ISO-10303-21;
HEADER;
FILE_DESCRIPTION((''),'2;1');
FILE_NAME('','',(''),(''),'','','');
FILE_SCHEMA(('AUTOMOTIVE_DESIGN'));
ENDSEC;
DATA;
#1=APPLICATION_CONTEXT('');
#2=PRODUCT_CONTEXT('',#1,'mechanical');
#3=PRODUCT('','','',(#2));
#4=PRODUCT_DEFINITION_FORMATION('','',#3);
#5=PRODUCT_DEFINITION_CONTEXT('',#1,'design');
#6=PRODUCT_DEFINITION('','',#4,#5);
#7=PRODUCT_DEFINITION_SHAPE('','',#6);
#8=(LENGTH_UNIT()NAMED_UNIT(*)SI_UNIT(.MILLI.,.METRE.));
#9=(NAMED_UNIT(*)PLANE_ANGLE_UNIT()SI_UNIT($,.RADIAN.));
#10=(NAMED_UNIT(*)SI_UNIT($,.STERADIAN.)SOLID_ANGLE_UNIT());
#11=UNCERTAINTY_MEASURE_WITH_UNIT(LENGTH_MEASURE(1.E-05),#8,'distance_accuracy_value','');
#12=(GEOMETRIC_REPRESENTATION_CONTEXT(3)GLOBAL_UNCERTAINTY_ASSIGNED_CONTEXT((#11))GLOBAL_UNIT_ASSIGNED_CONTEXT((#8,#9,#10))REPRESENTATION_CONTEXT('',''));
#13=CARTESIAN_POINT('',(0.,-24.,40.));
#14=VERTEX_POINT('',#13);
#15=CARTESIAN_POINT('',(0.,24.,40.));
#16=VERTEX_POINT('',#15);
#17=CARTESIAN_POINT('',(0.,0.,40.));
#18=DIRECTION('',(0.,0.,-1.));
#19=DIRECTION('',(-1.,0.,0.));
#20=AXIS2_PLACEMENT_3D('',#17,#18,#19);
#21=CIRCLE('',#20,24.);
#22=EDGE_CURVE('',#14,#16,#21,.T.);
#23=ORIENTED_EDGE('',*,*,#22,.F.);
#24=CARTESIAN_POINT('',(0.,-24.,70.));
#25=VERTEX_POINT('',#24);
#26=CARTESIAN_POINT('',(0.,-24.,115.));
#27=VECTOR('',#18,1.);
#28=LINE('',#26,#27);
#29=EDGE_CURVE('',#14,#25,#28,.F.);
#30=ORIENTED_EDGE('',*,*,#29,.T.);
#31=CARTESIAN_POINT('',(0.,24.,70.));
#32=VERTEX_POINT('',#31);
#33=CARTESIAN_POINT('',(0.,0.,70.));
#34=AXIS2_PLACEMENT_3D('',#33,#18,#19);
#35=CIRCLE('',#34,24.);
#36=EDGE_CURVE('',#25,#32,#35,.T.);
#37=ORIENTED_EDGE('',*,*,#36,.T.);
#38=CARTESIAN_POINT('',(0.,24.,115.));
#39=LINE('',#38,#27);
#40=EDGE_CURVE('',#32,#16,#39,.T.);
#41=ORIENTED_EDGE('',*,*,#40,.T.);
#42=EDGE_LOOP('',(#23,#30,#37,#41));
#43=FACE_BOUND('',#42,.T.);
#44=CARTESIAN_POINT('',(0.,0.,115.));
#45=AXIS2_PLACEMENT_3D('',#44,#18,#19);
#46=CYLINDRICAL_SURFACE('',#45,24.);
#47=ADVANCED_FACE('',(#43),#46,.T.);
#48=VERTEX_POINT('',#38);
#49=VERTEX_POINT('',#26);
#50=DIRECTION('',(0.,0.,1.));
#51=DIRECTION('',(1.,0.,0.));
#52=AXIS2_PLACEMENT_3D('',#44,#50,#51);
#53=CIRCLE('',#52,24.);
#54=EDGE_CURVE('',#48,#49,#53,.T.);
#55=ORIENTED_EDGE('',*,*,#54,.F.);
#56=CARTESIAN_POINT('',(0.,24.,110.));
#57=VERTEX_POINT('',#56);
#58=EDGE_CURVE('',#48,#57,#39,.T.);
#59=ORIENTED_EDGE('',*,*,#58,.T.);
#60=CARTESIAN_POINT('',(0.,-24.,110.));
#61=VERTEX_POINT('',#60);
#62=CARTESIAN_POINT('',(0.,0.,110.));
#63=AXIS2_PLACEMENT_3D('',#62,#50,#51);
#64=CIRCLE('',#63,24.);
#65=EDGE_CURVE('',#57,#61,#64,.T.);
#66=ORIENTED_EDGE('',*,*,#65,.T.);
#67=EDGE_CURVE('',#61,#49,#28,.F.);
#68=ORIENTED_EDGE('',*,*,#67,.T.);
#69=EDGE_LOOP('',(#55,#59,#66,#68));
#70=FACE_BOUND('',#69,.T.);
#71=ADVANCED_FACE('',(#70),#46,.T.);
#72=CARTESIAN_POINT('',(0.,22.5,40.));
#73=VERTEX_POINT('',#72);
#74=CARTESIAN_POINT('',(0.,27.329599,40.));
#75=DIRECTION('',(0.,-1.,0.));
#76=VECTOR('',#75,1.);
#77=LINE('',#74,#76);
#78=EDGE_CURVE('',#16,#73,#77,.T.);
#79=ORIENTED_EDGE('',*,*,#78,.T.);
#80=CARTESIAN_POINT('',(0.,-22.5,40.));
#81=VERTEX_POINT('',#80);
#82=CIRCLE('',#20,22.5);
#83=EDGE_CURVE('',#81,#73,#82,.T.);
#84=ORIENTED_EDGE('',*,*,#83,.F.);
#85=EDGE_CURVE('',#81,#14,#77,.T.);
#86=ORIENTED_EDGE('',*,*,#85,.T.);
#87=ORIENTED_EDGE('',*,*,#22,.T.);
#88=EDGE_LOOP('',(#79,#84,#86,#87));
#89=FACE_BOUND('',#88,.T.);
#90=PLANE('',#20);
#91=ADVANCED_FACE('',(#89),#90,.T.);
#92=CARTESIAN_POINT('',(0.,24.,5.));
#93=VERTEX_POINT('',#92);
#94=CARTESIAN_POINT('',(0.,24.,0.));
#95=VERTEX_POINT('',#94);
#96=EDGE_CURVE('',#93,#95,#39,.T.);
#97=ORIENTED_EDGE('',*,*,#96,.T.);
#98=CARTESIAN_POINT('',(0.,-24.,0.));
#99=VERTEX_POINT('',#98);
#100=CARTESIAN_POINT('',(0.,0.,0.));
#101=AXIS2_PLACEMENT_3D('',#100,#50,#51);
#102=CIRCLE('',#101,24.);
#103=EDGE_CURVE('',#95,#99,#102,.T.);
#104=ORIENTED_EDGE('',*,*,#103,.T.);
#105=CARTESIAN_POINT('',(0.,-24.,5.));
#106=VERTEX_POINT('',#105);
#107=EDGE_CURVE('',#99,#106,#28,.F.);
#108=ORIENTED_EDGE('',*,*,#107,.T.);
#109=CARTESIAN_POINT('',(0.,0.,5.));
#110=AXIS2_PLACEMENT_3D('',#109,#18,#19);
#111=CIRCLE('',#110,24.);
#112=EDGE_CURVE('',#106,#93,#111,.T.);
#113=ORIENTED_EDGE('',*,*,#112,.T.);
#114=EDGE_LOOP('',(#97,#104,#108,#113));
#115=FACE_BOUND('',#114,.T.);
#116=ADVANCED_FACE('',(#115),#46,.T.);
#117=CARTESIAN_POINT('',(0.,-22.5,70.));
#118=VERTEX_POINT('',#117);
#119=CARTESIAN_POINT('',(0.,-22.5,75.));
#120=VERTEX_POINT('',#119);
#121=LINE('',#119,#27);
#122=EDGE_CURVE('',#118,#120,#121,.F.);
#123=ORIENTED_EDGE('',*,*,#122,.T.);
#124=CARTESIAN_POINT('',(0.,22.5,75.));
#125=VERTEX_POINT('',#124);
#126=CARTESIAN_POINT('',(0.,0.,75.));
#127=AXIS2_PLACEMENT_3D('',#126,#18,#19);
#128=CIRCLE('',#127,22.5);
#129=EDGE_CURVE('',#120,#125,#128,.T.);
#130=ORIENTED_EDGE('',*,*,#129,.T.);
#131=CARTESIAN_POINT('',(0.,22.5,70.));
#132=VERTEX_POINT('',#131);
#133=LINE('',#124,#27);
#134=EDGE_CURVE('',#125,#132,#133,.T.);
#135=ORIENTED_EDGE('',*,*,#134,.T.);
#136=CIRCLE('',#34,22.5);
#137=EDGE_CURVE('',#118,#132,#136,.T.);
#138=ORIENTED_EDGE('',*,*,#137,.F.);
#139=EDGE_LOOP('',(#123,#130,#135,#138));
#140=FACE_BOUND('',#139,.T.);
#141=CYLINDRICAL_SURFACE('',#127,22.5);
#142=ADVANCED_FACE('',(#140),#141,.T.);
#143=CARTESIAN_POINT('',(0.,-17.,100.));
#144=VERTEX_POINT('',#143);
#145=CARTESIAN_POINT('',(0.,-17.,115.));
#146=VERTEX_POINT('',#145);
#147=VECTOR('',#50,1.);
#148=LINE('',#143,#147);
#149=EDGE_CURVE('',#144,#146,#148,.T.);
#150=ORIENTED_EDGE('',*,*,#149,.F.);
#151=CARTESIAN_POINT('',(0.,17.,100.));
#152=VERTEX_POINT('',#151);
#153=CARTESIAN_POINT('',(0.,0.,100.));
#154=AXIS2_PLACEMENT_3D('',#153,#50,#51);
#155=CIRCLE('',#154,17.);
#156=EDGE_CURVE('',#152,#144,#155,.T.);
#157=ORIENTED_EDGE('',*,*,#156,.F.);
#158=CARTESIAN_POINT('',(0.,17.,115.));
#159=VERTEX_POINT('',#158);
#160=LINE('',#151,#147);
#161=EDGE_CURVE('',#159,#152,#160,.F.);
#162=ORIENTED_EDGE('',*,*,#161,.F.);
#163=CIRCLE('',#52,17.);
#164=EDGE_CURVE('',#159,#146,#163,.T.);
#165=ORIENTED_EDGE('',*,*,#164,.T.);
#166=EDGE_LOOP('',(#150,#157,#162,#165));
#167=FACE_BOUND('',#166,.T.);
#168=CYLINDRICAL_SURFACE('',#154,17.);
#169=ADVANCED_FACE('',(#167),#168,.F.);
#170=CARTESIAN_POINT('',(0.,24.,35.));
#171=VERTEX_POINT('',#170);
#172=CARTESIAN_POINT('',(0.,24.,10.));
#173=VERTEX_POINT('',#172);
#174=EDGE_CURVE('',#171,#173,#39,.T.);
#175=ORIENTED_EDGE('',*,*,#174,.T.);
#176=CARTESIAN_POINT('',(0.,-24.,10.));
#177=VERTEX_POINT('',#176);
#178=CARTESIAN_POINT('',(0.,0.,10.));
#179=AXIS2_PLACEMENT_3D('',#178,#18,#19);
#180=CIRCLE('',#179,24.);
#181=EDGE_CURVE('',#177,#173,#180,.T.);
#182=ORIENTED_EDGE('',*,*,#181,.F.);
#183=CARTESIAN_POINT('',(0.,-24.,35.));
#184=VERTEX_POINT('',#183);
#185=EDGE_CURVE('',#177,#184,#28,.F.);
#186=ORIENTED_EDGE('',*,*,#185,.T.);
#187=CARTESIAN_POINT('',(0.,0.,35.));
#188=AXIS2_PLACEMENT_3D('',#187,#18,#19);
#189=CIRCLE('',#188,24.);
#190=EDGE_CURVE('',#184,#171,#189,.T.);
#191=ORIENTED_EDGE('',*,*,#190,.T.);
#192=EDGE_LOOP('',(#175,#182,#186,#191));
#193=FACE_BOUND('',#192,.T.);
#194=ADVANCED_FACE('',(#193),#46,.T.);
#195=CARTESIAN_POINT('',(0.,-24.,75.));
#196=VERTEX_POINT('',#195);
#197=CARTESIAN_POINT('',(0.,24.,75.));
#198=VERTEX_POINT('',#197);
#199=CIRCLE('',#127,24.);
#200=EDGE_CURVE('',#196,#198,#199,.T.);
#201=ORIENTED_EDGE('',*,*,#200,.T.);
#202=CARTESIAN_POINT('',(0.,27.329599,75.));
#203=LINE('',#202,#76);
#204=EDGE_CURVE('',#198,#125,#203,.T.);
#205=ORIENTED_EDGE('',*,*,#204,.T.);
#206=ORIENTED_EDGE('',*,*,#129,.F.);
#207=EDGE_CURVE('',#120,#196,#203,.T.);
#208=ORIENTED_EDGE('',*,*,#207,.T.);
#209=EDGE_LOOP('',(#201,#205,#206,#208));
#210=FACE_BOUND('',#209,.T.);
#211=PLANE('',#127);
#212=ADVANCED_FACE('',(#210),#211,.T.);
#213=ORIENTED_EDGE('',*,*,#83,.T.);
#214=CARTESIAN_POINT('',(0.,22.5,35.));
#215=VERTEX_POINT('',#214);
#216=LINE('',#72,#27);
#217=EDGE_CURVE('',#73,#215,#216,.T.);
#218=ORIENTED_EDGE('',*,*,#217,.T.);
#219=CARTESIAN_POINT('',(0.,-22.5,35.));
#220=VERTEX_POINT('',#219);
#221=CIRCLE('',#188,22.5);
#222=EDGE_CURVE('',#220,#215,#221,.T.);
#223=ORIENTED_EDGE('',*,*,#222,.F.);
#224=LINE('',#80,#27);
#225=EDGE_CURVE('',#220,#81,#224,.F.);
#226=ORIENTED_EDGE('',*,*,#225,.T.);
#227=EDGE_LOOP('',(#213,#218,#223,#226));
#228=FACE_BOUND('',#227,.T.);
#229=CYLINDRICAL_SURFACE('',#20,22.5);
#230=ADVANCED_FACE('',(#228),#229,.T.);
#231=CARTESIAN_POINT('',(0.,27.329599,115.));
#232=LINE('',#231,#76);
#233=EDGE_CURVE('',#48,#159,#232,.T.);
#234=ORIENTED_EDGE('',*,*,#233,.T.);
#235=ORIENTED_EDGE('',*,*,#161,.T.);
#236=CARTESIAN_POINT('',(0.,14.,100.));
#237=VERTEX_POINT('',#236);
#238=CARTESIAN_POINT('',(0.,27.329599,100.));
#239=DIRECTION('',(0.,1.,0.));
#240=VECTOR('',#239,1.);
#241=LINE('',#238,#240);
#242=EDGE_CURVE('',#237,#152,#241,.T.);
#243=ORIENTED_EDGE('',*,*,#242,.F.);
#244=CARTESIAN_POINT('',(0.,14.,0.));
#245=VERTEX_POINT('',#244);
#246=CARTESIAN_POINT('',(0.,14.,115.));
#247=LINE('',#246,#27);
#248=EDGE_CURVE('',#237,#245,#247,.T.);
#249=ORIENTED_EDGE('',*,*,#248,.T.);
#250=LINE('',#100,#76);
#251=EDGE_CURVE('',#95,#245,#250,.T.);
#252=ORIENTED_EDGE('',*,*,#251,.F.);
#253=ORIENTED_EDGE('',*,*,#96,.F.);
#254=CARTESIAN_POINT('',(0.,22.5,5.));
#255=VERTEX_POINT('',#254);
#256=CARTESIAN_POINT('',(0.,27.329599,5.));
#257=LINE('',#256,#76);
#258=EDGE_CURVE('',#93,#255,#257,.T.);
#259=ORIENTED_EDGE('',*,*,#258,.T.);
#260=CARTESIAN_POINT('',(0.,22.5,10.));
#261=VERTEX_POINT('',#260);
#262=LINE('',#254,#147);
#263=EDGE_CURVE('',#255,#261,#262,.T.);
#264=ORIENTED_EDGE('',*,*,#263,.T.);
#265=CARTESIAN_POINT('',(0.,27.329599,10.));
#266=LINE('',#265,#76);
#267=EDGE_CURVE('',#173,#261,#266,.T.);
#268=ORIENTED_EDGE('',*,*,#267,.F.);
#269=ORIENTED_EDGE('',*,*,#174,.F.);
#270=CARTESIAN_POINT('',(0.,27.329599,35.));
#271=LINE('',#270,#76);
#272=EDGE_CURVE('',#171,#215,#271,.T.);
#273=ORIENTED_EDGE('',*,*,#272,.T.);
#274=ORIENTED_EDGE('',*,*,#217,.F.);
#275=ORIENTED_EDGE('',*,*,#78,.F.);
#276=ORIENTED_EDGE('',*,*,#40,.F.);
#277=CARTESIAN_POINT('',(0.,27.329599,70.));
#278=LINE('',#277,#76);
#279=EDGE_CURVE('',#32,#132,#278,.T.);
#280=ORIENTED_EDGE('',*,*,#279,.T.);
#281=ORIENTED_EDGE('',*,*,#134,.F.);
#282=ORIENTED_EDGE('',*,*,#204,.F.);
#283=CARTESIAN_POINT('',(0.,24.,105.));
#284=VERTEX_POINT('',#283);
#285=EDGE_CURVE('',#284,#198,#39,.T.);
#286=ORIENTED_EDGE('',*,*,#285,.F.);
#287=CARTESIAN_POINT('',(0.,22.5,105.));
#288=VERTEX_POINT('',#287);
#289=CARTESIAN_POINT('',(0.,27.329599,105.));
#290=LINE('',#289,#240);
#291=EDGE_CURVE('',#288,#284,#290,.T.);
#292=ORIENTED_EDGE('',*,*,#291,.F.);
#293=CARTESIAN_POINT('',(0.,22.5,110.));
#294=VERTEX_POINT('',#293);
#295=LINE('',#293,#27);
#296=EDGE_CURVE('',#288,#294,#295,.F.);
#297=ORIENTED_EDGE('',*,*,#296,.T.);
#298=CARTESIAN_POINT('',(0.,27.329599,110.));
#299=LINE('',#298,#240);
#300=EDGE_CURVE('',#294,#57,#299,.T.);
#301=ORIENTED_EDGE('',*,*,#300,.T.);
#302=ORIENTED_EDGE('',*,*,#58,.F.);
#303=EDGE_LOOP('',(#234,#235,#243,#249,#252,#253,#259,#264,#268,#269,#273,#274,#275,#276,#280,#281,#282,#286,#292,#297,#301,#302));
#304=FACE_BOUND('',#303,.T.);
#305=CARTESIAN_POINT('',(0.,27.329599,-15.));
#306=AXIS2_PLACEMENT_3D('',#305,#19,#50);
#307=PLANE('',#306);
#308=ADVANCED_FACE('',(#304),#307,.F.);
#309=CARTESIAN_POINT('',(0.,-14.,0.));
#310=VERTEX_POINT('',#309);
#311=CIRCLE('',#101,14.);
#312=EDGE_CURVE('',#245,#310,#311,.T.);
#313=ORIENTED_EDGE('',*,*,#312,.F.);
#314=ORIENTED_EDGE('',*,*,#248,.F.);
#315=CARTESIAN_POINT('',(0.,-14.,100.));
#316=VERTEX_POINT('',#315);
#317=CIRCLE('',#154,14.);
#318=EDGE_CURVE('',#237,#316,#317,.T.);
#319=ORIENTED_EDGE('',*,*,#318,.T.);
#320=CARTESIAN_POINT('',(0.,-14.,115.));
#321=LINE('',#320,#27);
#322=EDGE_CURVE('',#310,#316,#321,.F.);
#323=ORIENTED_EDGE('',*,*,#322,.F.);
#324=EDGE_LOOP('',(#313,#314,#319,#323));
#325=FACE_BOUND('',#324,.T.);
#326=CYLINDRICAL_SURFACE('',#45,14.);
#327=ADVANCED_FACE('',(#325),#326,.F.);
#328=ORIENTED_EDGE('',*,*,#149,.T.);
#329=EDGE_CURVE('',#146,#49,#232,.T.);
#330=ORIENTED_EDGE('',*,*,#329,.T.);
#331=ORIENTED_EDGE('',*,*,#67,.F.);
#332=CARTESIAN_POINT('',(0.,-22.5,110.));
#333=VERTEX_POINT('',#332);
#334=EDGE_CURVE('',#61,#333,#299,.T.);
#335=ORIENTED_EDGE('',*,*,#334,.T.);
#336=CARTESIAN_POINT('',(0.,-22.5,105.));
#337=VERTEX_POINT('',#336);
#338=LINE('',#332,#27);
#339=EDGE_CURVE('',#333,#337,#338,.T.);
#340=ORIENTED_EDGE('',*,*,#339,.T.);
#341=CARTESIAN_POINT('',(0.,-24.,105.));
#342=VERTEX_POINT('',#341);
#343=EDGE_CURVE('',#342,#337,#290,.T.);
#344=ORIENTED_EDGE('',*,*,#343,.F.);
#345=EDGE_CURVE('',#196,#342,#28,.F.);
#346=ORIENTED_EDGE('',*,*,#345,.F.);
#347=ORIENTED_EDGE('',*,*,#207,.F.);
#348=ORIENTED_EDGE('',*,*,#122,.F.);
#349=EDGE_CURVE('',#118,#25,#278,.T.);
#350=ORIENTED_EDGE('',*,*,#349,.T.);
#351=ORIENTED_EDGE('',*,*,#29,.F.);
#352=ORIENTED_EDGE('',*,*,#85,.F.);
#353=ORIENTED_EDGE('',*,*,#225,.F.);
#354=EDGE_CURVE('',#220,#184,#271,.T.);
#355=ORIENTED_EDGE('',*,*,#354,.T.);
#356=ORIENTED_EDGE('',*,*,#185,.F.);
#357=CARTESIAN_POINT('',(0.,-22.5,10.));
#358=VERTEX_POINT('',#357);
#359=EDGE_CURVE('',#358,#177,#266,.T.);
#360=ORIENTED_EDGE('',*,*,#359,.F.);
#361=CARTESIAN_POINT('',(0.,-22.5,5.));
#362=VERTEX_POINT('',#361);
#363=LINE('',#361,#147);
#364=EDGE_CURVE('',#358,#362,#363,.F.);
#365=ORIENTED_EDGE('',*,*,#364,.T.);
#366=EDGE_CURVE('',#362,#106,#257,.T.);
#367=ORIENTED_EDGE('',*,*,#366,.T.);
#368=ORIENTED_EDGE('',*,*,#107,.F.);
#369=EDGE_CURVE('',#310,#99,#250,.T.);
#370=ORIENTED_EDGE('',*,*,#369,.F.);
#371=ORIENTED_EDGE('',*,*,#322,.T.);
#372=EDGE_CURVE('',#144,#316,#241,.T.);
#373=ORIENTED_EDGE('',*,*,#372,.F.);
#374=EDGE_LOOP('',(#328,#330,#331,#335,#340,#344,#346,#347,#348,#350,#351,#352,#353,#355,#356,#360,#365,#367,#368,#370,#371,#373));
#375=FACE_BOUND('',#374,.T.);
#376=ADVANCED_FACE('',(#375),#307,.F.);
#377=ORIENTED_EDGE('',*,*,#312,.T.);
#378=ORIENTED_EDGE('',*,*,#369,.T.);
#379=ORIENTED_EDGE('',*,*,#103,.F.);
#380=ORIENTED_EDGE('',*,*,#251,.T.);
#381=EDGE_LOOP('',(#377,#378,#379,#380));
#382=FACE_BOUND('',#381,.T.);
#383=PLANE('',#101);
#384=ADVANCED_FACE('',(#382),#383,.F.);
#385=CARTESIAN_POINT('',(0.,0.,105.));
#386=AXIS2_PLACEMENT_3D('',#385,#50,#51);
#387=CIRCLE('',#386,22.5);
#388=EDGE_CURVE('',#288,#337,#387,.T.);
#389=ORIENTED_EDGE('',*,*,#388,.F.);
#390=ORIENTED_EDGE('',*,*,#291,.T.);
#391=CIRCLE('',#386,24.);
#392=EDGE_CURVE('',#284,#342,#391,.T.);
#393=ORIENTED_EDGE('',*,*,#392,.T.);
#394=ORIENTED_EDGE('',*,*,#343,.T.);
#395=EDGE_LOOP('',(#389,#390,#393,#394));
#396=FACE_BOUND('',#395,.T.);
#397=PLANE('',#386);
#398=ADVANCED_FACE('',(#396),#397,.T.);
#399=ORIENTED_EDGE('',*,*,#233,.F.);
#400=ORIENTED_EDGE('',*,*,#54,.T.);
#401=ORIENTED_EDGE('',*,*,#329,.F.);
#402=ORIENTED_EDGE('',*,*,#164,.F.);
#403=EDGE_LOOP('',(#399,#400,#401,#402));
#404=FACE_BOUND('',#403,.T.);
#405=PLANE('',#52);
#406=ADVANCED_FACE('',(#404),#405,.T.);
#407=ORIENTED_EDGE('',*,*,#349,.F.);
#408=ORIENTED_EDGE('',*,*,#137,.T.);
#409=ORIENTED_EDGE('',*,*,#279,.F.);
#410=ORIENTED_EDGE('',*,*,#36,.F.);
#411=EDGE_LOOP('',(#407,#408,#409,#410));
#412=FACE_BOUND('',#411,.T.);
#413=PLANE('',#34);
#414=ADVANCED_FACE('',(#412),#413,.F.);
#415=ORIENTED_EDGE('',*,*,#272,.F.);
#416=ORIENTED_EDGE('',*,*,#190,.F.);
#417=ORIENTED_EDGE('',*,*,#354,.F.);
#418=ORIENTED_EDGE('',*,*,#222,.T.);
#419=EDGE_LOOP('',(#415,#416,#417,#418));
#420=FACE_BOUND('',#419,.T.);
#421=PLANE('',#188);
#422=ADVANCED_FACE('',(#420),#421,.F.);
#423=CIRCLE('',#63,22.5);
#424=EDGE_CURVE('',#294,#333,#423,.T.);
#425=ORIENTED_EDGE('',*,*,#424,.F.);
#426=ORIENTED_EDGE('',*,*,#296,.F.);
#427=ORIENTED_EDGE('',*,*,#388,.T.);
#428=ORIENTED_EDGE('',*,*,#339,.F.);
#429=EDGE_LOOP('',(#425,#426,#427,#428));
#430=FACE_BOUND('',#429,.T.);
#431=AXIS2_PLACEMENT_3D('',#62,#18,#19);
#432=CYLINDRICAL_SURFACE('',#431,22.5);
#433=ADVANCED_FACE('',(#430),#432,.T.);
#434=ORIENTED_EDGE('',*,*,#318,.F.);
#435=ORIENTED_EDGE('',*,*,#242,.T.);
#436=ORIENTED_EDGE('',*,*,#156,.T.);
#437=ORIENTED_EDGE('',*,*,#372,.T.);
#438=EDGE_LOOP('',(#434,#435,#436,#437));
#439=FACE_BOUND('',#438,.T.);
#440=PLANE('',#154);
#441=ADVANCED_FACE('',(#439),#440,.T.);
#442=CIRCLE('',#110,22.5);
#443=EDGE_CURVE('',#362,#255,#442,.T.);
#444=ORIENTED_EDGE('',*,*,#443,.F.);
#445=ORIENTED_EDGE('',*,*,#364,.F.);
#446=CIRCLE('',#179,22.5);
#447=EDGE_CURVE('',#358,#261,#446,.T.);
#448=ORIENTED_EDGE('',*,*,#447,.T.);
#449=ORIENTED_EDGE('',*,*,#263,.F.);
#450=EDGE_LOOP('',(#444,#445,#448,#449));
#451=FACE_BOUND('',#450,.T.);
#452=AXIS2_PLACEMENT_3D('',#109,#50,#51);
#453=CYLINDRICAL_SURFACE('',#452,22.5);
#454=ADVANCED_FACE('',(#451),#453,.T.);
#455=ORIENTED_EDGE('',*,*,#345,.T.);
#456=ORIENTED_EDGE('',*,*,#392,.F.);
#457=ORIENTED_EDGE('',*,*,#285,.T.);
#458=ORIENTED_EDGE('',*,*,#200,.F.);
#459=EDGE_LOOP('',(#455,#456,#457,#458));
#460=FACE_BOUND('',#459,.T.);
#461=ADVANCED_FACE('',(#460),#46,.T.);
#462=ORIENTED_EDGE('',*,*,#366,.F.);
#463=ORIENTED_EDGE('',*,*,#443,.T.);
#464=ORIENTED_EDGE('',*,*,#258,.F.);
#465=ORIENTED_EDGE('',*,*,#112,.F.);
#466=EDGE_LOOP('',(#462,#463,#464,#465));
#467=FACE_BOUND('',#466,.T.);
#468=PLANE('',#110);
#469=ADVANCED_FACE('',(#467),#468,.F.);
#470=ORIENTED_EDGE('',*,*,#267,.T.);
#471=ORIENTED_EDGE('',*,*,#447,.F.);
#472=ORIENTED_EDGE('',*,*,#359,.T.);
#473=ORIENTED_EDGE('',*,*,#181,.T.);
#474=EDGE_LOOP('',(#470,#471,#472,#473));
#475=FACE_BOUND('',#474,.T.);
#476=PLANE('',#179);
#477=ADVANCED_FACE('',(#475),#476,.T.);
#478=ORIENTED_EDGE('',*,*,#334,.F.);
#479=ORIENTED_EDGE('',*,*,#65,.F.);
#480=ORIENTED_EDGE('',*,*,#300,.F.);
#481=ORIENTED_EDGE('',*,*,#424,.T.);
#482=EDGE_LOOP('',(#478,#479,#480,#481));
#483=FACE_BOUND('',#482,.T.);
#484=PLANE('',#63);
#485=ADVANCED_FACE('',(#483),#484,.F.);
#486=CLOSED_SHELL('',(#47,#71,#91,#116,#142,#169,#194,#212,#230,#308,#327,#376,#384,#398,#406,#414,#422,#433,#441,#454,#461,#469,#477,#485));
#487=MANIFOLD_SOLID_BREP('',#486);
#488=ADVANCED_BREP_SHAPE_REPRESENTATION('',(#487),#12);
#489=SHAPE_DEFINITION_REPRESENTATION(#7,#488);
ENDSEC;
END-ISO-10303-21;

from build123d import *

# Parameters (mm, degrees)
SKETCH1_R           = 24
SKETCH1_R_2         = 14
BOSS_EXTRUDE1_DEPTH = 115
SKETCH2_W           = 30.560484556
SKETCH2_H           = 55.665733052
CUT_EXTRUDE1_DEPTH  = 130
SKETCH3_R           = 17
CUT_EXTRUDE2_DEPTH  = 15
SKETCH4_R           = 29.348690421
SKETCH4_R_2         = 22.5
CUT_EXTRUDE3_DEPTH  = 5
SKETCH5_R           = 32.227537674
SKETCH5_R_2         = 22.5
CUT_EXTRUDE4_DEPTH  = 5
SKETCH6_R           = 32.40953394
SKETCH6_R_2         = 22.5
CUT_EXTRUDE5_DEPTH  = 5
CUT_EXTRUDE6_START  = 5
SKETCH7_R           = 39.356381894
SKETCH7_R_2         = 22.5
CUT_EXTRUDE6_DEPTH  = 5


with BuildPart() as part:
    # Sketch1 → Boss-Extrude1 (new body)
    with BuildSketch(Plane.XY):
        Circle(SKETCH1_R)
        Circle(SKETCH1_R_2, mode=Mode.SUBTRACT)
    extrude(amount=BOSS_EXTRUDE1_DEPTH)

    # Sketch2 → Cut-Extrude1 (cut)
    with BuildSketch(Plane.XY.offset(115)):
        with Locations((15.280242278, -0.503267732)):
            Rectangle(SKETCH2_W, SKETCH2_H)
    extrude(amount=-CUT_EXTRUDE1_DEPTH, mode=Mode.SUBTRACT)

    # Sketch3 → Cut-Extrude2 (cut)
    with BuildSketch(Plane.XY.offset(115)):
        Circle(SKETCH3_R)
    extrude(amount=-CUT_EXTRUDE2_DEPTH, mode=Mode.SUBTRACT)

    # Sketch4 → Cut-Extrude3 (cut)
    with BuildSketch(Plane(origin=(0, 0, 35), x_dir=(-1, 0, 0), z_dir=(0, 0, -1))):
        Circle(SKETCH4_R)
        Circle(SKETCH4_R_2, mode=Mode.SUBTRACT)
    extrude(amount=-CUT_EXTRUDE3_DEPTH, mode=Mode.SUBTRACT)

    # Sketch5 → Cut-Extrude4 (cut)
    with BuildSketch(Plane(origin=(0, 0, 70), x_dir=(-1, 0, 0), z_dir=(0, 0, -1))):
        Circle(SKETCH5_R)
        Circle(SKETCH5_R_2, mode=Mode.SUBTRACT)
    extrude(amount=-CUT_EXTRUDE4_DEPTH, mode=Mode.SUBTRACT)

    # Sketch6 → Cut-Extrude5 (cut)
    with BuildSketch(Plane.XY.offset(105)):
        Circle(SKETCH6_R)
        Circle(SKETCH6_R_2, mode=Mode.SUBTRACT)
    extrude(amount=CUT_EXTRUDE5_DEPTH, mode=Mode.SUBTRACT)

    # Sketch7 → Cut-Extrude6 (cut)
    with BuildSketch(Plane(origin=(0, 0, 10), x_dir=(-1, 0, 0), z_dir=(0, 0, -1)).offset(CUT_EXTRUDE6_START)):
        Circle(SKETCH7_R)
        Circle(SKETCH7_R_2, mode=Mode.SUBTRACT)
    extrude(amount=-CUT_EXTRUDE6_DEPTH, mode=Mode.SUBTRACT)


solid = part.part
